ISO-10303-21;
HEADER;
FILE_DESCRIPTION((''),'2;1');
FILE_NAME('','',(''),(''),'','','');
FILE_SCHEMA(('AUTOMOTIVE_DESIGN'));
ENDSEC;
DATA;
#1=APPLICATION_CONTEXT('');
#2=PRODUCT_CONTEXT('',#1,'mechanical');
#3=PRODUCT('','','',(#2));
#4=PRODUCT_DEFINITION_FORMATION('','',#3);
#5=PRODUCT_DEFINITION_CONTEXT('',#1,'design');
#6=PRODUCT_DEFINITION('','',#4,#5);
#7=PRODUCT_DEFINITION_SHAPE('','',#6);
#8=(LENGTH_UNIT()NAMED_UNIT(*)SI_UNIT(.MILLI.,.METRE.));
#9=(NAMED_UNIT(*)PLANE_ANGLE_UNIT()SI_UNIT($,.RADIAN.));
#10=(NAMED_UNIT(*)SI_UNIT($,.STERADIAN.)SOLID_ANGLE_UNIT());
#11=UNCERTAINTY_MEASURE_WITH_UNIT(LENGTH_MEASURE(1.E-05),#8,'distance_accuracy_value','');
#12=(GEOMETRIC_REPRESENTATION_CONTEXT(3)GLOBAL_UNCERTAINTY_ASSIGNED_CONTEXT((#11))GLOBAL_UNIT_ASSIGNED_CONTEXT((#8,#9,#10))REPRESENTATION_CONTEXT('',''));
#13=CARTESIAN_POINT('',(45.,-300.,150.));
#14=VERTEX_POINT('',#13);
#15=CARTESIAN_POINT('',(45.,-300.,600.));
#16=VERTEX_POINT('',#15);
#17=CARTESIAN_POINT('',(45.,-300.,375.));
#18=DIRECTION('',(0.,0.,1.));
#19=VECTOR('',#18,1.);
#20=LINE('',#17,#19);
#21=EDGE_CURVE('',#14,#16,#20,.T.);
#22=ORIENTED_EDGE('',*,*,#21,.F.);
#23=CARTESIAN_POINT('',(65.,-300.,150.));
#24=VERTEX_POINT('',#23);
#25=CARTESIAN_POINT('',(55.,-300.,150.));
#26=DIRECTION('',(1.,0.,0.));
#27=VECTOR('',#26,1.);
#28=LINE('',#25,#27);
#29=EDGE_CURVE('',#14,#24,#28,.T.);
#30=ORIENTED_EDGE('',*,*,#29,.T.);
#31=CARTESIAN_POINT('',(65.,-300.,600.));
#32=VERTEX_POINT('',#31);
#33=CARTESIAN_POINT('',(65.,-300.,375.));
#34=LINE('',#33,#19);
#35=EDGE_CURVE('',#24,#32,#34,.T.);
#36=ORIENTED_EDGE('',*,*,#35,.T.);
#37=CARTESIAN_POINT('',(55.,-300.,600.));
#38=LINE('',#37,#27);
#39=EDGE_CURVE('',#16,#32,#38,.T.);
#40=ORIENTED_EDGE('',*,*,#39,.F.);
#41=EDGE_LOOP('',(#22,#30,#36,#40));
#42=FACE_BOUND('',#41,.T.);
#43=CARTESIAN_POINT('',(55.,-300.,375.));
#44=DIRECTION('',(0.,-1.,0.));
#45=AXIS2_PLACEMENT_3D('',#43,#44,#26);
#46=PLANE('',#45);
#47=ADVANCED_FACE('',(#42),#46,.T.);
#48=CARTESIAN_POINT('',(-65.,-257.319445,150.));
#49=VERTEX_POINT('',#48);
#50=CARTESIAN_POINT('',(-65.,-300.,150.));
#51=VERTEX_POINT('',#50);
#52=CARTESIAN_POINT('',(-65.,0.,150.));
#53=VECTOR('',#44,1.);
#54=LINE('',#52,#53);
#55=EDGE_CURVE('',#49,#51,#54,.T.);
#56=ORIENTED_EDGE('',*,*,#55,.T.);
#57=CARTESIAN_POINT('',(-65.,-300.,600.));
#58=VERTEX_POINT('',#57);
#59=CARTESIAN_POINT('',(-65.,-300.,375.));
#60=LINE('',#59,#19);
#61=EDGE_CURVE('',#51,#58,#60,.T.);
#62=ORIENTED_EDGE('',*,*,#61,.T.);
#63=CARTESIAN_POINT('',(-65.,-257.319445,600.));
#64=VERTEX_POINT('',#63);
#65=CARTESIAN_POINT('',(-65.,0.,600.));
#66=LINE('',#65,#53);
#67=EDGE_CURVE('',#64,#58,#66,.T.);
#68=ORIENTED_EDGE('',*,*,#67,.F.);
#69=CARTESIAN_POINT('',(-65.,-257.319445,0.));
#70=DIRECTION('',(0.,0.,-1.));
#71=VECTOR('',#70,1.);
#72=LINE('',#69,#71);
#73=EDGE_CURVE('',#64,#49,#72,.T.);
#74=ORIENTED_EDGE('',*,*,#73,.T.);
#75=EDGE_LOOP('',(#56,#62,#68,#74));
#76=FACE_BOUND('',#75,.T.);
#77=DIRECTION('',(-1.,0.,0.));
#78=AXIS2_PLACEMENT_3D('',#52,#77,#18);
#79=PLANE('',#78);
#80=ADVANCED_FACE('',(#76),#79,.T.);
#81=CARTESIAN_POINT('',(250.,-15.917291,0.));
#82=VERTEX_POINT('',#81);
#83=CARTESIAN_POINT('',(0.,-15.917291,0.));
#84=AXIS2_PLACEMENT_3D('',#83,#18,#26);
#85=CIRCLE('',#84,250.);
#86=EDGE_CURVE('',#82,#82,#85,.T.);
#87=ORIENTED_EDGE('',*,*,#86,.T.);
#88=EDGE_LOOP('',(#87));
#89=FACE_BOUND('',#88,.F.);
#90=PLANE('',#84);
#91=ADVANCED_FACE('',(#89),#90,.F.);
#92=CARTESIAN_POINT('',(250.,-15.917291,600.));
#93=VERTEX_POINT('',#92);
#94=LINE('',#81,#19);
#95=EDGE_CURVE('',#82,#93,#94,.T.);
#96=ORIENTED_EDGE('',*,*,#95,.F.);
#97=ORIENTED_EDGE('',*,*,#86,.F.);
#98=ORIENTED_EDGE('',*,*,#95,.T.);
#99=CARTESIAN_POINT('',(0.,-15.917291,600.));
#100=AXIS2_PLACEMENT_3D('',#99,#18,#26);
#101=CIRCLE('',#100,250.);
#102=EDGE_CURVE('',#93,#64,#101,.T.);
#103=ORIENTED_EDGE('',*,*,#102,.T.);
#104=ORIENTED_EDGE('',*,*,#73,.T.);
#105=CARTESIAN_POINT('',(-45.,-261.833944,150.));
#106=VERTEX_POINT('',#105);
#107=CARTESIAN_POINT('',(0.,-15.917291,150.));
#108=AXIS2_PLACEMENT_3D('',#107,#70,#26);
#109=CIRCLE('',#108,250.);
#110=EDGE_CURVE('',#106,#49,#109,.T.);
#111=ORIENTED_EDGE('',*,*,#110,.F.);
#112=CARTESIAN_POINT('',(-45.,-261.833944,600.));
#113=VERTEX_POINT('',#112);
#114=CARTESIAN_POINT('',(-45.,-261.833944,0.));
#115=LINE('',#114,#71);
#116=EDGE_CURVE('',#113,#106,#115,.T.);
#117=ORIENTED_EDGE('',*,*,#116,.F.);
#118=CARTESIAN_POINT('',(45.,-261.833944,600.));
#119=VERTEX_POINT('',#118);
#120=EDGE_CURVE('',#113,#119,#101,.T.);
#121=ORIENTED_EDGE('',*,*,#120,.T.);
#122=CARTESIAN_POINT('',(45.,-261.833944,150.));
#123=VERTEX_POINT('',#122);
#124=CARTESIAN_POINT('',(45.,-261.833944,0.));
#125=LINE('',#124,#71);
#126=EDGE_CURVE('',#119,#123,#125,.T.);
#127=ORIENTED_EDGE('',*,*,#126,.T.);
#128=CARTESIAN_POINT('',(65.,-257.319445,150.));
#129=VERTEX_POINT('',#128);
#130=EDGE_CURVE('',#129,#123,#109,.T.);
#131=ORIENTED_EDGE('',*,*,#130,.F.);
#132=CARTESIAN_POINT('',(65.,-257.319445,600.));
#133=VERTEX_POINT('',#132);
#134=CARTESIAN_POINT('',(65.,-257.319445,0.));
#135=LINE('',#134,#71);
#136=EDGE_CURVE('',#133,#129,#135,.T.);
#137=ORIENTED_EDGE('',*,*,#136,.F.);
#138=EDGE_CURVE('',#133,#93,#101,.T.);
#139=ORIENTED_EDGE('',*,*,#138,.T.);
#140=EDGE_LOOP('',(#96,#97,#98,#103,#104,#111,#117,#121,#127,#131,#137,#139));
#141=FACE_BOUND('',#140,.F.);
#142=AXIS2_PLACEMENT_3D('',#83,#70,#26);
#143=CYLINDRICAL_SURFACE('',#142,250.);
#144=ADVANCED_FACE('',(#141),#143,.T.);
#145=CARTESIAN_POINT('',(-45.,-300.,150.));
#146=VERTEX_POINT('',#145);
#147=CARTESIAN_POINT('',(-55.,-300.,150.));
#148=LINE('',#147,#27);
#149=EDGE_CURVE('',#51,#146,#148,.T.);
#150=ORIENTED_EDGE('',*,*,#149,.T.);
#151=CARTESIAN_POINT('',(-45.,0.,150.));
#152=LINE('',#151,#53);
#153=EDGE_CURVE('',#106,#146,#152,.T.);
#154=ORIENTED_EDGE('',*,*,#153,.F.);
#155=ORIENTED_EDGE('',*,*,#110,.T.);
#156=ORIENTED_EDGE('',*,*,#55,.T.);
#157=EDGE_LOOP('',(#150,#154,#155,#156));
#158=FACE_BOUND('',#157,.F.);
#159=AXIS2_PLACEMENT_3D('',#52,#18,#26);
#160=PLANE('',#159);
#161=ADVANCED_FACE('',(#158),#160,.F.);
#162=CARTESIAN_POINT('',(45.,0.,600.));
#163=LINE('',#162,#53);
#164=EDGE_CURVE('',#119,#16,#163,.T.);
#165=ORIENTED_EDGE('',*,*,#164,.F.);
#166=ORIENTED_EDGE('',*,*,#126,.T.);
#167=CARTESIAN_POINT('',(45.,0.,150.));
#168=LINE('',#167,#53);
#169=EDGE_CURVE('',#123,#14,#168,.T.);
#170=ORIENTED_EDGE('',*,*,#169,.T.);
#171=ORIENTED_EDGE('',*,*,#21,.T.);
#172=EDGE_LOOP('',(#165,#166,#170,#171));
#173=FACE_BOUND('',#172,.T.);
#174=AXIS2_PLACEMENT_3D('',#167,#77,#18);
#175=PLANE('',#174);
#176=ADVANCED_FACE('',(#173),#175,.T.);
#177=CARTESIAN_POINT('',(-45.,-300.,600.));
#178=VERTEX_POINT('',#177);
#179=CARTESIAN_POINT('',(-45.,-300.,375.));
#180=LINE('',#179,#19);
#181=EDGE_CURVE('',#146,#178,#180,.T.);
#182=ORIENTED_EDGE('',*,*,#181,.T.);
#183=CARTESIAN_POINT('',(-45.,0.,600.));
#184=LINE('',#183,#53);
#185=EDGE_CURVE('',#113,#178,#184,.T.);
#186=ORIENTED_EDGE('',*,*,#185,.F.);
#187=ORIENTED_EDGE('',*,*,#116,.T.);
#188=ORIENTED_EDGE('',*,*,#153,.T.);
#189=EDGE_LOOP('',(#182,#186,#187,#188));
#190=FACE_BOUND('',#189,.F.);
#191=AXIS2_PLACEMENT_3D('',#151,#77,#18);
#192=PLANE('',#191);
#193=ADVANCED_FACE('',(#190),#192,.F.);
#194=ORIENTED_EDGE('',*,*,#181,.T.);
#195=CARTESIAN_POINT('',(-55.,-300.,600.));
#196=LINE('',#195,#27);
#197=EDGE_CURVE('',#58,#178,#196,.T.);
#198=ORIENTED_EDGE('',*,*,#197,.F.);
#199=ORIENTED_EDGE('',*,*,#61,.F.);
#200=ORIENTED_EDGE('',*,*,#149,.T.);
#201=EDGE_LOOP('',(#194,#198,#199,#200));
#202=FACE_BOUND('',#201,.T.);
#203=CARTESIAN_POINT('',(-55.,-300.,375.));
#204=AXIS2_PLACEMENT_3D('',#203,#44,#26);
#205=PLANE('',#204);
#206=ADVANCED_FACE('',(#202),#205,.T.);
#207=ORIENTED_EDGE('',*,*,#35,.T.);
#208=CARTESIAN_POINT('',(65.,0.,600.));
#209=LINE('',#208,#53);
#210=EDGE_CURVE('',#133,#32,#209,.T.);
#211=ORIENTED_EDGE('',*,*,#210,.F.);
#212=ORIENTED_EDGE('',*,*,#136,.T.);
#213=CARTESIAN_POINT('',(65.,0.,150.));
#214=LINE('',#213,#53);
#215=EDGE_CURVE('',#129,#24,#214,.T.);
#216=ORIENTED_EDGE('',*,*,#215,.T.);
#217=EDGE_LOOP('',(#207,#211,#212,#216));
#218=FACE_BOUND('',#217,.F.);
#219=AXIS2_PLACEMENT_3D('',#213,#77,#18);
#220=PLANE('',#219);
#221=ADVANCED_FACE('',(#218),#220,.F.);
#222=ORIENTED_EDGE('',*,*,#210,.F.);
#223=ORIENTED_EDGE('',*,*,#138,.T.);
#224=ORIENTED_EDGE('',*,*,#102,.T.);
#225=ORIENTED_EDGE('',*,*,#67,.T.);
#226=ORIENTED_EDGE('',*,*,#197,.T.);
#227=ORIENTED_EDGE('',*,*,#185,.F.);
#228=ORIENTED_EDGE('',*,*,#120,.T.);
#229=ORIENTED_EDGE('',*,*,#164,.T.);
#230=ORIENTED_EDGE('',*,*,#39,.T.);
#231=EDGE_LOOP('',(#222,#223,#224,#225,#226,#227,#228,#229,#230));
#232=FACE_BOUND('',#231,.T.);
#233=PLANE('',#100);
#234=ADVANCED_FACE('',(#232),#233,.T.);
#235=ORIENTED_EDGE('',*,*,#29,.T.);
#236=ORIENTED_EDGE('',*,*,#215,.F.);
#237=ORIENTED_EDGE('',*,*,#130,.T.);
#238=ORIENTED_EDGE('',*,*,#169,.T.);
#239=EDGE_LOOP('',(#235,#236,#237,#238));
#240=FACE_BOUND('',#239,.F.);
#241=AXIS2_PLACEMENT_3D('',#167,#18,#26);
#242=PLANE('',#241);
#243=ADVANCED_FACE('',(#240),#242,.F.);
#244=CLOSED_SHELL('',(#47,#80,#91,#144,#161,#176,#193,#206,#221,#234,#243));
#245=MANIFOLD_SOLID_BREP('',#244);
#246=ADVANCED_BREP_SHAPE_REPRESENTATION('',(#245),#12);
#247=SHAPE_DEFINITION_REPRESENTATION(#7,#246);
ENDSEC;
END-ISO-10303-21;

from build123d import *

# Parameters (mm, degrees)
F0_R     = 250
F1_DEPTH = 600
F2_W     = 20
F2_H     = 450
F3_DEPTH = 300


with BuildPart() as f1:
    # F0 (on Top) → F1 (new body)
    with BuildSketch(Plane.XY):
        with Locations((0, -15.917291)):
            Circle(F0_R)
    extrude(amount=F1_DEPTH)

    # F2 (on Front) → F3 (join)
    with BuildSketch(Plane.XZ):
        with Locations((55, 375)):
            Rectangle(F2_W, F2_H)
        with Locations((-55, 375)):
            Rectangle(F2_W, F2_H)
    extrude(amount=F3_DEPTH)


solid = f1.part
